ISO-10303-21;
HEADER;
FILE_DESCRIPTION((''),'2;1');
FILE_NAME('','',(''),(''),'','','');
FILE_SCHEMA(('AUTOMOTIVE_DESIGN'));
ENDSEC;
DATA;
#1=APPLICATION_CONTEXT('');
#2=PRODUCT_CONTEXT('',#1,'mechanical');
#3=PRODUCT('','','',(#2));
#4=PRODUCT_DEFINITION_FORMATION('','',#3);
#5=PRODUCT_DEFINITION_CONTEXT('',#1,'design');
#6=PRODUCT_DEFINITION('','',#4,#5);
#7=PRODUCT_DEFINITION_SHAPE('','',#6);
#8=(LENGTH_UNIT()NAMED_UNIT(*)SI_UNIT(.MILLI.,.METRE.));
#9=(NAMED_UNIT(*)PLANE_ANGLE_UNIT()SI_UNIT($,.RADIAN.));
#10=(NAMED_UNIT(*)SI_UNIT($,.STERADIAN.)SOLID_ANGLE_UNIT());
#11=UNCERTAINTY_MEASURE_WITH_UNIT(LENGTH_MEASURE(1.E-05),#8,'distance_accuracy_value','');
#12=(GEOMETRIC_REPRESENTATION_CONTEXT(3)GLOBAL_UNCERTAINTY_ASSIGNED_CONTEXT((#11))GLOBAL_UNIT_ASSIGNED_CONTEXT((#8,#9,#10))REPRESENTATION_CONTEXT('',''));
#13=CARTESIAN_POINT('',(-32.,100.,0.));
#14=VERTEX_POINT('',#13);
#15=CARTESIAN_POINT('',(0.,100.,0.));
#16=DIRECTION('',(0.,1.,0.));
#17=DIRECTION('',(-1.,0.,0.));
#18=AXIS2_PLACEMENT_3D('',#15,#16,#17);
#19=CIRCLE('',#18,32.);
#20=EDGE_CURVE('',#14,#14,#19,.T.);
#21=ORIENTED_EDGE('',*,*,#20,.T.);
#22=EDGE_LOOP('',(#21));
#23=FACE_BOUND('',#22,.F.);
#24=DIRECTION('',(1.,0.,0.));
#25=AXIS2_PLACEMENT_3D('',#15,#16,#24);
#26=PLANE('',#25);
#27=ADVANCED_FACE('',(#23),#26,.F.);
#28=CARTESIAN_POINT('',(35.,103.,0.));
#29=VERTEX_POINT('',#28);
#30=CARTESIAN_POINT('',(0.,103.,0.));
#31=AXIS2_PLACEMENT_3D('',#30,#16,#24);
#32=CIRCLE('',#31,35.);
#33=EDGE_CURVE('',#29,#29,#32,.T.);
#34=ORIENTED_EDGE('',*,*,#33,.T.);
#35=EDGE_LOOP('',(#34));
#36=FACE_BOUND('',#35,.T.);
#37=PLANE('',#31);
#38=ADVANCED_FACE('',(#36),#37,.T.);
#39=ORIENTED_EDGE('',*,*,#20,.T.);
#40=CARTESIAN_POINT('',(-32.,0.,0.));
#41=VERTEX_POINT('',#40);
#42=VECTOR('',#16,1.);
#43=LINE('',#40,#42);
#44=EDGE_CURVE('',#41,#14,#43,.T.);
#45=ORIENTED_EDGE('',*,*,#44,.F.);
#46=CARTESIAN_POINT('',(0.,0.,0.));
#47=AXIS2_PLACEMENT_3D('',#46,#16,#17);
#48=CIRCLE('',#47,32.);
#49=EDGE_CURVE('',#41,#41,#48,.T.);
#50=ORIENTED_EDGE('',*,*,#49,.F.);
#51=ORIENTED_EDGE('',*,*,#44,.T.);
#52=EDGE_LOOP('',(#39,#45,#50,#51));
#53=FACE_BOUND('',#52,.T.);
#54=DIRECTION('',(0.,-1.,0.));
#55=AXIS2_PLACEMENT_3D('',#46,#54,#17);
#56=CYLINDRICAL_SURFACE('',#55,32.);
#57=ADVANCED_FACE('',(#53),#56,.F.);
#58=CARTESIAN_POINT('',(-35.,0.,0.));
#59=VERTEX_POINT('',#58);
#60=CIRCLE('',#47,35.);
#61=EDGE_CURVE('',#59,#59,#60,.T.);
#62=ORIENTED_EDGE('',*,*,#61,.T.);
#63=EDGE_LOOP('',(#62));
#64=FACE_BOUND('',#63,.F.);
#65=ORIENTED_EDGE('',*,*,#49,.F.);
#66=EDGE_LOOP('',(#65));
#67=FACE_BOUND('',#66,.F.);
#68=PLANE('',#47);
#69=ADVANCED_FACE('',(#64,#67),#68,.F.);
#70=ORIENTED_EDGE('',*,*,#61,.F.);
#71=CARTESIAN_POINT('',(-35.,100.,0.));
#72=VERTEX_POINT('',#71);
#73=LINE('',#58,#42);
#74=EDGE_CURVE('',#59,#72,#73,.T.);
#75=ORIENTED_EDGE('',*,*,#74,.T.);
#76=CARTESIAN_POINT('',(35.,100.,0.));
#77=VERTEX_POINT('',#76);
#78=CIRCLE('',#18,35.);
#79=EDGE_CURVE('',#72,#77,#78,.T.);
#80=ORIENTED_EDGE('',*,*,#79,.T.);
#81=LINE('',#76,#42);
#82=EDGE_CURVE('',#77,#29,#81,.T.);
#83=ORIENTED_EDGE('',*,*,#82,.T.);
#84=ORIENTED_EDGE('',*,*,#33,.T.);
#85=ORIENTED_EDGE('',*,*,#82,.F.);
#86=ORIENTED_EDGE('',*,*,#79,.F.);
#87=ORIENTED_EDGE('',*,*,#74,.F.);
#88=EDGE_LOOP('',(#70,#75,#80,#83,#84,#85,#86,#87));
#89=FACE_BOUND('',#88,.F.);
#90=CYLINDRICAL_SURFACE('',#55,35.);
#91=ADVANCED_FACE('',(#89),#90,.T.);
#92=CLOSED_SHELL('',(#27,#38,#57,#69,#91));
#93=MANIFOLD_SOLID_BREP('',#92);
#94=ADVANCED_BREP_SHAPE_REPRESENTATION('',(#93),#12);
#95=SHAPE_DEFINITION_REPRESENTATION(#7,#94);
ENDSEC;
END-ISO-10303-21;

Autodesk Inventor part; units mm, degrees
ref_plane "YZ Plane" through (0, 0, 0) normal (1, 0, 0) x (0, 1, 0)
ref_plane "XZ Plane" through (0, 0, 0) normal (0, 1, 0) x (-1, 0, 0)
ref_plane "XY Plane" through (0, 0, 0) normal (0, 0, 1) x (1, 0, 0)
sketch "スケッチ1" plane through (0, 0, 0) normal (0, 1, 0) x (-1, 0, 0)
  circle A0 centre (0, 0) radius 35
  circle A1 centre (0, 0) radius 32
  dimension "d0" = 70
  dimension "d1" = 64
extrude "押し出し1" add sketch "スケッチ1" along normal blind 100
sketch "スケッチ2" plane through (0, 100, 0) normal (0, 1, 0) x (1, 0, 0)
  circle A0 centre (0, 0) radius 35 projected
extrude "押し出し2" add sketch "スケッチ2" along normal blind 3
properties part number "知能ロボコン大砲２"
